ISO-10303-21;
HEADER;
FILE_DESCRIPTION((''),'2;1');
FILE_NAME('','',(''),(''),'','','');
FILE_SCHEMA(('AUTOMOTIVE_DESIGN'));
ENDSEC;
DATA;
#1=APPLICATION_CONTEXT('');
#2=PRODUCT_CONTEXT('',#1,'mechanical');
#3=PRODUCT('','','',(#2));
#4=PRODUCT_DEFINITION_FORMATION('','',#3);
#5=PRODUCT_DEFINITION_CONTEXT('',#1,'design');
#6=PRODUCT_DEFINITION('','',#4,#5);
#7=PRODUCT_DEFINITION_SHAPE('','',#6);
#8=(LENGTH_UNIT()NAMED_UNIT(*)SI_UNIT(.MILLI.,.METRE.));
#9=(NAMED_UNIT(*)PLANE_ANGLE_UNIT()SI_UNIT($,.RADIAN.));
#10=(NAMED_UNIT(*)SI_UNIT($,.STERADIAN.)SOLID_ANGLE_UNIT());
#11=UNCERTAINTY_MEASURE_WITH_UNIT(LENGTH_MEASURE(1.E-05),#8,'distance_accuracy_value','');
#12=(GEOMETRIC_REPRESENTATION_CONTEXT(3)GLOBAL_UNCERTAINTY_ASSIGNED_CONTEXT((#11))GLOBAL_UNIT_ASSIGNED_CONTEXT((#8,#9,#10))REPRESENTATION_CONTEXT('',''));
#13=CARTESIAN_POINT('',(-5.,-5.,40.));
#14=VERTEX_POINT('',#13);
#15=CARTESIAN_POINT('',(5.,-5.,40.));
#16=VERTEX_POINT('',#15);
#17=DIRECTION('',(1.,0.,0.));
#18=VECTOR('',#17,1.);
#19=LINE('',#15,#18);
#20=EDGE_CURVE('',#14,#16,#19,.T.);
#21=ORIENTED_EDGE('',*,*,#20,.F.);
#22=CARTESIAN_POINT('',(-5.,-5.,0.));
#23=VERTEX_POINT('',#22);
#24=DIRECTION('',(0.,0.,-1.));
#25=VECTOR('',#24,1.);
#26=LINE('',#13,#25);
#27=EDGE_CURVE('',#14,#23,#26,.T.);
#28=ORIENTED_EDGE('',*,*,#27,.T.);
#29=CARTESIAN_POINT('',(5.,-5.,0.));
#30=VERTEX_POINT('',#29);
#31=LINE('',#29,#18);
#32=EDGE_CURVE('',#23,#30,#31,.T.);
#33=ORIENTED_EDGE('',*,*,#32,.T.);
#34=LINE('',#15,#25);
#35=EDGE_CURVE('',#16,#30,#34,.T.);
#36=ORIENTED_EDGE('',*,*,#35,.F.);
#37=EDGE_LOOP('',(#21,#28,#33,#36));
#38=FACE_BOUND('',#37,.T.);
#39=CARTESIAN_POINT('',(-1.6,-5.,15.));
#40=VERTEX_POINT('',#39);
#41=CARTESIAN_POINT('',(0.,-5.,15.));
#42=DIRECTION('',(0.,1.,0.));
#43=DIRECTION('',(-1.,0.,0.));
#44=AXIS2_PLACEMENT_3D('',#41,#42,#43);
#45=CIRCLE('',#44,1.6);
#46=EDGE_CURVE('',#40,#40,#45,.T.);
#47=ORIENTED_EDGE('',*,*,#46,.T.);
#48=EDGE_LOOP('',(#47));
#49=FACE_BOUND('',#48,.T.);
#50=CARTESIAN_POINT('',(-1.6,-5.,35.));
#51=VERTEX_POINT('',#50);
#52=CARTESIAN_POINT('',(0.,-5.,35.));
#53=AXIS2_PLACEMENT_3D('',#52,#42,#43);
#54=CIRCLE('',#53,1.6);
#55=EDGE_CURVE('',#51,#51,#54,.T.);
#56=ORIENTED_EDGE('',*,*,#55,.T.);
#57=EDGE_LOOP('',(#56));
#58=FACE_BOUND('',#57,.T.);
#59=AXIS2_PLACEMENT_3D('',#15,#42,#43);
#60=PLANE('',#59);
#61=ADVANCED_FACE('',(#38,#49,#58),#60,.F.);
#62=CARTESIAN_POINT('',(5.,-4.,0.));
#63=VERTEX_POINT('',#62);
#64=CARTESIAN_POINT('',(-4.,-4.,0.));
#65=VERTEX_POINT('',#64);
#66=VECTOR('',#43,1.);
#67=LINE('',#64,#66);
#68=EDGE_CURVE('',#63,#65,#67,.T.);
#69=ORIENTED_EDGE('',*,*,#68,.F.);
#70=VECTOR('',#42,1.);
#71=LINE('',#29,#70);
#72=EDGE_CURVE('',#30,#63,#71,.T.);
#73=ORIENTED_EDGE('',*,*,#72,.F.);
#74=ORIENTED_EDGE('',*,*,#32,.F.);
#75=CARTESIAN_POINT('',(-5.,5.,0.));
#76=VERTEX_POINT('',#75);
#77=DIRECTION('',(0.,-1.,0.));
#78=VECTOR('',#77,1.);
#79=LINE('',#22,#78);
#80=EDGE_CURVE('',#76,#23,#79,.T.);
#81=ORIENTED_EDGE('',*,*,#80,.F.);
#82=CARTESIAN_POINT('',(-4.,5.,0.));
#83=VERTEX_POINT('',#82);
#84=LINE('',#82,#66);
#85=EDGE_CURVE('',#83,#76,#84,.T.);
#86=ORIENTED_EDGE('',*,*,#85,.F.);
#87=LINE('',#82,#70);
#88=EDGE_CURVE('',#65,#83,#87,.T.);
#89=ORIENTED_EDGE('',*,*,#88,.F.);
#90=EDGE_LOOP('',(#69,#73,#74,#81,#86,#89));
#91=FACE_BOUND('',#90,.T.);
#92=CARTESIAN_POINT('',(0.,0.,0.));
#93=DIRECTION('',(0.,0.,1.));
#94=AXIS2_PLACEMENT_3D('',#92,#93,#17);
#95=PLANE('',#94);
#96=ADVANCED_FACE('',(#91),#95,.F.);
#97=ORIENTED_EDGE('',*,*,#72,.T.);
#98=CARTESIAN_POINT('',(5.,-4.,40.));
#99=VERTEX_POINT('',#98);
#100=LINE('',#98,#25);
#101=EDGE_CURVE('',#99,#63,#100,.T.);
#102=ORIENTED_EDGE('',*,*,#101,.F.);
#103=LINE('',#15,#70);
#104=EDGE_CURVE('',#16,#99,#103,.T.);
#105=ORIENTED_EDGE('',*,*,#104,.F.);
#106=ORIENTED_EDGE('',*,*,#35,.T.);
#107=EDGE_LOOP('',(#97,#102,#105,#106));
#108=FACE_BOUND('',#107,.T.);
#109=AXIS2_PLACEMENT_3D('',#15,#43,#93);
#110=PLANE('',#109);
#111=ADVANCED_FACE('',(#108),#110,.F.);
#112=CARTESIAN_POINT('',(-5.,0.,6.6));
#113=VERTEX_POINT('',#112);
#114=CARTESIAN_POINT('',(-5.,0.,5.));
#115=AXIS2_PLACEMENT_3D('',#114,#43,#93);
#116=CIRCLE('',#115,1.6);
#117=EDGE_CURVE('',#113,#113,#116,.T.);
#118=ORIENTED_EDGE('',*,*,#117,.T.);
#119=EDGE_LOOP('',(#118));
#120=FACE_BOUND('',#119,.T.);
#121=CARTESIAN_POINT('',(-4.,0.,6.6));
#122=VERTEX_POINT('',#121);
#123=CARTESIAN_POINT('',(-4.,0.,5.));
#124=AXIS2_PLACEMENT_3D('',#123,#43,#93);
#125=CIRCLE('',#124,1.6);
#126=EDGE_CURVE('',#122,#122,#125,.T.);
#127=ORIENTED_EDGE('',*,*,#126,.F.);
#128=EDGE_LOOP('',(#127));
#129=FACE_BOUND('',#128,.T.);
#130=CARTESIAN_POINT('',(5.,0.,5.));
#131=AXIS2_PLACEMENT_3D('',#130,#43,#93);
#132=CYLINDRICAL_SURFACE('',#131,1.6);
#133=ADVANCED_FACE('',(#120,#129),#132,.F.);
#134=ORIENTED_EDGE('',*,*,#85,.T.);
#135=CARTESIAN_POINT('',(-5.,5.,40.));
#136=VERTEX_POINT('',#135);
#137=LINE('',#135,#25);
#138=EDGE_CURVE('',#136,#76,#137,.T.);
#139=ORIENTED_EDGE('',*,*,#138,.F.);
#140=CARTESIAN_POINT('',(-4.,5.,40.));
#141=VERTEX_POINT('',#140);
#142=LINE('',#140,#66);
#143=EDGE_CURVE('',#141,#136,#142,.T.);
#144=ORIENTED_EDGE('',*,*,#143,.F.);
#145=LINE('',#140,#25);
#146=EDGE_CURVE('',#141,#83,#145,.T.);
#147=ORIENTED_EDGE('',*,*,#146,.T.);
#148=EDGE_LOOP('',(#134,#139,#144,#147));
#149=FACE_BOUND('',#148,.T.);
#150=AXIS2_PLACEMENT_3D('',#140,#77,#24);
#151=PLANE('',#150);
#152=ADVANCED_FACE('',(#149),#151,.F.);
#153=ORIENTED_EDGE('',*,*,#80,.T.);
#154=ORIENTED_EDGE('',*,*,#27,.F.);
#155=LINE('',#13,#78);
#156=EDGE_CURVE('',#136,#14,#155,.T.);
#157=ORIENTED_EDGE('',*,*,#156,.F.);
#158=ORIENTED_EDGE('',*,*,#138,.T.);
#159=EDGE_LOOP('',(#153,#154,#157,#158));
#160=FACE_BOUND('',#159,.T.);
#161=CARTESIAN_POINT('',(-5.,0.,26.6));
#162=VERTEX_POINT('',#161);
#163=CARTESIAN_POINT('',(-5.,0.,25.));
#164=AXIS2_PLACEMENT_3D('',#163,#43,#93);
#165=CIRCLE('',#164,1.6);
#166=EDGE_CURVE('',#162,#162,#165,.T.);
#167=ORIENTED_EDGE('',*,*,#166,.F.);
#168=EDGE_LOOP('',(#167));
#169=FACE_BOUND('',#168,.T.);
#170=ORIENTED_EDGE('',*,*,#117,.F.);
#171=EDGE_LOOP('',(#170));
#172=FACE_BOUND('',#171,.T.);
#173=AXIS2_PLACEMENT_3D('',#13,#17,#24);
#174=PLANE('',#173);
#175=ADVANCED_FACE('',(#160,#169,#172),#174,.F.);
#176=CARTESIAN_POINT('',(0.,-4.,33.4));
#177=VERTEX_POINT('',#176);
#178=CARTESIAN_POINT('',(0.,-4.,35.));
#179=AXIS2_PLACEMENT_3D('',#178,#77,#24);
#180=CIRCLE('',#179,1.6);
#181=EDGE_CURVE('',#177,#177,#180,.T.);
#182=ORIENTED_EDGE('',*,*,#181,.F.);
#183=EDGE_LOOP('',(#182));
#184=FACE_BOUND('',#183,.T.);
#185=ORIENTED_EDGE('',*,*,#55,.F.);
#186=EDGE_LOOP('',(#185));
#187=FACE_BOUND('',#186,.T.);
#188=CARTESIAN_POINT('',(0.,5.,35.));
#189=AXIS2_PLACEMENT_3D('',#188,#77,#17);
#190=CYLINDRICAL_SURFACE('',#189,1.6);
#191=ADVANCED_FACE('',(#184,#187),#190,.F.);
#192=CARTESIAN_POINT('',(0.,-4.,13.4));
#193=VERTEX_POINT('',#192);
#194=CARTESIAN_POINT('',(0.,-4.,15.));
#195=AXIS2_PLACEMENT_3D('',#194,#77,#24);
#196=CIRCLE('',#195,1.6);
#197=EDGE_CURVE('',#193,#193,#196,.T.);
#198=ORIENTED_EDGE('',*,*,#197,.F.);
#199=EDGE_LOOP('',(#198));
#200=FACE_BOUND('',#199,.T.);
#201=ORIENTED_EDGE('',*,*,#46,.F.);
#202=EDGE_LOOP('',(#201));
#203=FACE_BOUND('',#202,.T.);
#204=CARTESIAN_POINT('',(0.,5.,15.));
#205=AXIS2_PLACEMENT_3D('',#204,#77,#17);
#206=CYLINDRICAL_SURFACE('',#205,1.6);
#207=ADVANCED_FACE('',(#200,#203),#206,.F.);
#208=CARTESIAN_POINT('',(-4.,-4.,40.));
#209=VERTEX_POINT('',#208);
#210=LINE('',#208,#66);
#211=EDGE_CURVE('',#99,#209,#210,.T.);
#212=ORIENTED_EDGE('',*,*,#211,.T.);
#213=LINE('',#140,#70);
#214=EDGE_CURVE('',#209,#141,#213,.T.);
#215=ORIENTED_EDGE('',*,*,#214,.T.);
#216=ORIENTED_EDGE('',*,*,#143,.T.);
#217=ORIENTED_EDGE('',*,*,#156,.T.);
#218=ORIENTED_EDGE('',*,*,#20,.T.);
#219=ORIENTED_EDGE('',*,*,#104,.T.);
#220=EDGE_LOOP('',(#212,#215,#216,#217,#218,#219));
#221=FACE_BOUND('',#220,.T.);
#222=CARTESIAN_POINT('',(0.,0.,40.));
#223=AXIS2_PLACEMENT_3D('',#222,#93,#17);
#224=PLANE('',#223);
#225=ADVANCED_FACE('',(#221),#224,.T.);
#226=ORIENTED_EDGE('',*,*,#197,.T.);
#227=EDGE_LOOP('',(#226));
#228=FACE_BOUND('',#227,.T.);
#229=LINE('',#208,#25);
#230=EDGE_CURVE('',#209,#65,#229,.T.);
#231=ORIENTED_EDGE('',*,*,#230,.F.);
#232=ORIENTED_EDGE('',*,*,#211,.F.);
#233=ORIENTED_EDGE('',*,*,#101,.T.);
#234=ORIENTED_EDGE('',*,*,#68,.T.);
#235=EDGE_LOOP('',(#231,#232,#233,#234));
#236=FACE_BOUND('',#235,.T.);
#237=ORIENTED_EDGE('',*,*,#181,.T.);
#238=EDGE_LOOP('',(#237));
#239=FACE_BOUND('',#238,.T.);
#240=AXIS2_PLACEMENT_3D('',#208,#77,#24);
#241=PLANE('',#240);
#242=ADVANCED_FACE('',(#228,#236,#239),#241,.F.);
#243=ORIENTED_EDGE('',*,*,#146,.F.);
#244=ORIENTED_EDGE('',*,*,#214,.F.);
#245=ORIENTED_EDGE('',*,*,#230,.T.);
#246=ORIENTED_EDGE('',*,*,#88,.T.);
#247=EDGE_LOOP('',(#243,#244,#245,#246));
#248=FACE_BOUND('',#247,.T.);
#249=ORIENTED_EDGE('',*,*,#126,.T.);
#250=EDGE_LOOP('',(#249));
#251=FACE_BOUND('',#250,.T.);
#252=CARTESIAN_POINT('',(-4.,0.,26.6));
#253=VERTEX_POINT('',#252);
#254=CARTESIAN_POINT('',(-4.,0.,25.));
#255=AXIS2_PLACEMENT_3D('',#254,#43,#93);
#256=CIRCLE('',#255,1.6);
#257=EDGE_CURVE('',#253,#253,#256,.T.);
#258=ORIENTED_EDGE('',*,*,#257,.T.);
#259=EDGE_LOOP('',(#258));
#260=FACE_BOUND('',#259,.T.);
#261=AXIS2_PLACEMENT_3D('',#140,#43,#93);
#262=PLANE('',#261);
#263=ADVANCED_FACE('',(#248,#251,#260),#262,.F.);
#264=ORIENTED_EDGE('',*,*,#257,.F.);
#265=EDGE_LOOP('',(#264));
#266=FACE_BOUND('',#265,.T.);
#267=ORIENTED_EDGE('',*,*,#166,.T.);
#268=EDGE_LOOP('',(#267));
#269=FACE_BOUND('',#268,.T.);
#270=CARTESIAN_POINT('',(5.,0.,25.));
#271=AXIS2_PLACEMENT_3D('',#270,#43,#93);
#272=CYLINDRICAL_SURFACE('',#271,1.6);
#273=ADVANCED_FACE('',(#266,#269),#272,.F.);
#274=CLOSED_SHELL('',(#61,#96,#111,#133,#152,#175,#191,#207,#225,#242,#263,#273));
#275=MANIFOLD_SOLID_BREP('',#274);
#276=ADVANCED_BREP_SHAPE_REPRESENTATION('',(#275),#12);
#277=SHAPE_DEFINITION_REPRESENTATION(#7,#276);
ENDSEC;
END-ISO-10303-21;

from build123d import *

# Parameters (mm, degrees)
EXTRUDE_1_DEPTH          = 40
CUT_EXTRUDE_1_DEPTH      = 42.533119315
CUT_EXTRUDE_1_DEPTH_BACK = 42.533119315
SKETCH_2_R               = 1.6
SKETCH_3_R               = 1.6
CUT_EXTRUDE_2_DEPTH      = 42.533119315


with BuildPart() as part:
    # ｽｹｯﾁ1 → ﾎﾞｽ - 押し出し1 (new body)
    with BuildSketch(Plane.XY):
        Polygon((-4, 5), (-4, -4), (5, -4), (5, -5), (-5, -5), (-5, 5), align=None)
    extrude(amount=EXTRUDE_1_DEPTH)

    # ｽｹｯﾁ2 → ｶｯﾄ - 押し出し1 (cut, two sides: drawn at the far end of the back side and taken through both)
    with BuildSketch(Plane.XZ.offset(5).offset(-CUT_EXTRUDE_1_DEPTH_BACK)):
        with Locations(Location((0, 15, 0), (0, 0, 270))):
            Circle(SKETCH_2_R)
        with Locations(Location((0, 35, 0), (0, 0, 270))):
            Circle(SKETCH_2_R)
    extrude(amount=CUT_EXTRUDE_1_DEPTH + CUT_EXTRUDE_1_DEPTH_BACK, mode=Mode.SUBTRACT)

    # ｽｹｯﾁ3 → ｶｯﾄ - 押し出し2 (cut, through all)
    with BuildSketch(Plane.ZY.offset(5)):
        with Locations((5, 0)):
            Circle(SKETCH_3_R)
        with Locations((25, 0)):
            Circle(SKETCH_3_R)
    extrude(amount=-CUT_EXTRUDE_2_DEPTH, mode=Mode.SUBTRACT)


solid = part.part
